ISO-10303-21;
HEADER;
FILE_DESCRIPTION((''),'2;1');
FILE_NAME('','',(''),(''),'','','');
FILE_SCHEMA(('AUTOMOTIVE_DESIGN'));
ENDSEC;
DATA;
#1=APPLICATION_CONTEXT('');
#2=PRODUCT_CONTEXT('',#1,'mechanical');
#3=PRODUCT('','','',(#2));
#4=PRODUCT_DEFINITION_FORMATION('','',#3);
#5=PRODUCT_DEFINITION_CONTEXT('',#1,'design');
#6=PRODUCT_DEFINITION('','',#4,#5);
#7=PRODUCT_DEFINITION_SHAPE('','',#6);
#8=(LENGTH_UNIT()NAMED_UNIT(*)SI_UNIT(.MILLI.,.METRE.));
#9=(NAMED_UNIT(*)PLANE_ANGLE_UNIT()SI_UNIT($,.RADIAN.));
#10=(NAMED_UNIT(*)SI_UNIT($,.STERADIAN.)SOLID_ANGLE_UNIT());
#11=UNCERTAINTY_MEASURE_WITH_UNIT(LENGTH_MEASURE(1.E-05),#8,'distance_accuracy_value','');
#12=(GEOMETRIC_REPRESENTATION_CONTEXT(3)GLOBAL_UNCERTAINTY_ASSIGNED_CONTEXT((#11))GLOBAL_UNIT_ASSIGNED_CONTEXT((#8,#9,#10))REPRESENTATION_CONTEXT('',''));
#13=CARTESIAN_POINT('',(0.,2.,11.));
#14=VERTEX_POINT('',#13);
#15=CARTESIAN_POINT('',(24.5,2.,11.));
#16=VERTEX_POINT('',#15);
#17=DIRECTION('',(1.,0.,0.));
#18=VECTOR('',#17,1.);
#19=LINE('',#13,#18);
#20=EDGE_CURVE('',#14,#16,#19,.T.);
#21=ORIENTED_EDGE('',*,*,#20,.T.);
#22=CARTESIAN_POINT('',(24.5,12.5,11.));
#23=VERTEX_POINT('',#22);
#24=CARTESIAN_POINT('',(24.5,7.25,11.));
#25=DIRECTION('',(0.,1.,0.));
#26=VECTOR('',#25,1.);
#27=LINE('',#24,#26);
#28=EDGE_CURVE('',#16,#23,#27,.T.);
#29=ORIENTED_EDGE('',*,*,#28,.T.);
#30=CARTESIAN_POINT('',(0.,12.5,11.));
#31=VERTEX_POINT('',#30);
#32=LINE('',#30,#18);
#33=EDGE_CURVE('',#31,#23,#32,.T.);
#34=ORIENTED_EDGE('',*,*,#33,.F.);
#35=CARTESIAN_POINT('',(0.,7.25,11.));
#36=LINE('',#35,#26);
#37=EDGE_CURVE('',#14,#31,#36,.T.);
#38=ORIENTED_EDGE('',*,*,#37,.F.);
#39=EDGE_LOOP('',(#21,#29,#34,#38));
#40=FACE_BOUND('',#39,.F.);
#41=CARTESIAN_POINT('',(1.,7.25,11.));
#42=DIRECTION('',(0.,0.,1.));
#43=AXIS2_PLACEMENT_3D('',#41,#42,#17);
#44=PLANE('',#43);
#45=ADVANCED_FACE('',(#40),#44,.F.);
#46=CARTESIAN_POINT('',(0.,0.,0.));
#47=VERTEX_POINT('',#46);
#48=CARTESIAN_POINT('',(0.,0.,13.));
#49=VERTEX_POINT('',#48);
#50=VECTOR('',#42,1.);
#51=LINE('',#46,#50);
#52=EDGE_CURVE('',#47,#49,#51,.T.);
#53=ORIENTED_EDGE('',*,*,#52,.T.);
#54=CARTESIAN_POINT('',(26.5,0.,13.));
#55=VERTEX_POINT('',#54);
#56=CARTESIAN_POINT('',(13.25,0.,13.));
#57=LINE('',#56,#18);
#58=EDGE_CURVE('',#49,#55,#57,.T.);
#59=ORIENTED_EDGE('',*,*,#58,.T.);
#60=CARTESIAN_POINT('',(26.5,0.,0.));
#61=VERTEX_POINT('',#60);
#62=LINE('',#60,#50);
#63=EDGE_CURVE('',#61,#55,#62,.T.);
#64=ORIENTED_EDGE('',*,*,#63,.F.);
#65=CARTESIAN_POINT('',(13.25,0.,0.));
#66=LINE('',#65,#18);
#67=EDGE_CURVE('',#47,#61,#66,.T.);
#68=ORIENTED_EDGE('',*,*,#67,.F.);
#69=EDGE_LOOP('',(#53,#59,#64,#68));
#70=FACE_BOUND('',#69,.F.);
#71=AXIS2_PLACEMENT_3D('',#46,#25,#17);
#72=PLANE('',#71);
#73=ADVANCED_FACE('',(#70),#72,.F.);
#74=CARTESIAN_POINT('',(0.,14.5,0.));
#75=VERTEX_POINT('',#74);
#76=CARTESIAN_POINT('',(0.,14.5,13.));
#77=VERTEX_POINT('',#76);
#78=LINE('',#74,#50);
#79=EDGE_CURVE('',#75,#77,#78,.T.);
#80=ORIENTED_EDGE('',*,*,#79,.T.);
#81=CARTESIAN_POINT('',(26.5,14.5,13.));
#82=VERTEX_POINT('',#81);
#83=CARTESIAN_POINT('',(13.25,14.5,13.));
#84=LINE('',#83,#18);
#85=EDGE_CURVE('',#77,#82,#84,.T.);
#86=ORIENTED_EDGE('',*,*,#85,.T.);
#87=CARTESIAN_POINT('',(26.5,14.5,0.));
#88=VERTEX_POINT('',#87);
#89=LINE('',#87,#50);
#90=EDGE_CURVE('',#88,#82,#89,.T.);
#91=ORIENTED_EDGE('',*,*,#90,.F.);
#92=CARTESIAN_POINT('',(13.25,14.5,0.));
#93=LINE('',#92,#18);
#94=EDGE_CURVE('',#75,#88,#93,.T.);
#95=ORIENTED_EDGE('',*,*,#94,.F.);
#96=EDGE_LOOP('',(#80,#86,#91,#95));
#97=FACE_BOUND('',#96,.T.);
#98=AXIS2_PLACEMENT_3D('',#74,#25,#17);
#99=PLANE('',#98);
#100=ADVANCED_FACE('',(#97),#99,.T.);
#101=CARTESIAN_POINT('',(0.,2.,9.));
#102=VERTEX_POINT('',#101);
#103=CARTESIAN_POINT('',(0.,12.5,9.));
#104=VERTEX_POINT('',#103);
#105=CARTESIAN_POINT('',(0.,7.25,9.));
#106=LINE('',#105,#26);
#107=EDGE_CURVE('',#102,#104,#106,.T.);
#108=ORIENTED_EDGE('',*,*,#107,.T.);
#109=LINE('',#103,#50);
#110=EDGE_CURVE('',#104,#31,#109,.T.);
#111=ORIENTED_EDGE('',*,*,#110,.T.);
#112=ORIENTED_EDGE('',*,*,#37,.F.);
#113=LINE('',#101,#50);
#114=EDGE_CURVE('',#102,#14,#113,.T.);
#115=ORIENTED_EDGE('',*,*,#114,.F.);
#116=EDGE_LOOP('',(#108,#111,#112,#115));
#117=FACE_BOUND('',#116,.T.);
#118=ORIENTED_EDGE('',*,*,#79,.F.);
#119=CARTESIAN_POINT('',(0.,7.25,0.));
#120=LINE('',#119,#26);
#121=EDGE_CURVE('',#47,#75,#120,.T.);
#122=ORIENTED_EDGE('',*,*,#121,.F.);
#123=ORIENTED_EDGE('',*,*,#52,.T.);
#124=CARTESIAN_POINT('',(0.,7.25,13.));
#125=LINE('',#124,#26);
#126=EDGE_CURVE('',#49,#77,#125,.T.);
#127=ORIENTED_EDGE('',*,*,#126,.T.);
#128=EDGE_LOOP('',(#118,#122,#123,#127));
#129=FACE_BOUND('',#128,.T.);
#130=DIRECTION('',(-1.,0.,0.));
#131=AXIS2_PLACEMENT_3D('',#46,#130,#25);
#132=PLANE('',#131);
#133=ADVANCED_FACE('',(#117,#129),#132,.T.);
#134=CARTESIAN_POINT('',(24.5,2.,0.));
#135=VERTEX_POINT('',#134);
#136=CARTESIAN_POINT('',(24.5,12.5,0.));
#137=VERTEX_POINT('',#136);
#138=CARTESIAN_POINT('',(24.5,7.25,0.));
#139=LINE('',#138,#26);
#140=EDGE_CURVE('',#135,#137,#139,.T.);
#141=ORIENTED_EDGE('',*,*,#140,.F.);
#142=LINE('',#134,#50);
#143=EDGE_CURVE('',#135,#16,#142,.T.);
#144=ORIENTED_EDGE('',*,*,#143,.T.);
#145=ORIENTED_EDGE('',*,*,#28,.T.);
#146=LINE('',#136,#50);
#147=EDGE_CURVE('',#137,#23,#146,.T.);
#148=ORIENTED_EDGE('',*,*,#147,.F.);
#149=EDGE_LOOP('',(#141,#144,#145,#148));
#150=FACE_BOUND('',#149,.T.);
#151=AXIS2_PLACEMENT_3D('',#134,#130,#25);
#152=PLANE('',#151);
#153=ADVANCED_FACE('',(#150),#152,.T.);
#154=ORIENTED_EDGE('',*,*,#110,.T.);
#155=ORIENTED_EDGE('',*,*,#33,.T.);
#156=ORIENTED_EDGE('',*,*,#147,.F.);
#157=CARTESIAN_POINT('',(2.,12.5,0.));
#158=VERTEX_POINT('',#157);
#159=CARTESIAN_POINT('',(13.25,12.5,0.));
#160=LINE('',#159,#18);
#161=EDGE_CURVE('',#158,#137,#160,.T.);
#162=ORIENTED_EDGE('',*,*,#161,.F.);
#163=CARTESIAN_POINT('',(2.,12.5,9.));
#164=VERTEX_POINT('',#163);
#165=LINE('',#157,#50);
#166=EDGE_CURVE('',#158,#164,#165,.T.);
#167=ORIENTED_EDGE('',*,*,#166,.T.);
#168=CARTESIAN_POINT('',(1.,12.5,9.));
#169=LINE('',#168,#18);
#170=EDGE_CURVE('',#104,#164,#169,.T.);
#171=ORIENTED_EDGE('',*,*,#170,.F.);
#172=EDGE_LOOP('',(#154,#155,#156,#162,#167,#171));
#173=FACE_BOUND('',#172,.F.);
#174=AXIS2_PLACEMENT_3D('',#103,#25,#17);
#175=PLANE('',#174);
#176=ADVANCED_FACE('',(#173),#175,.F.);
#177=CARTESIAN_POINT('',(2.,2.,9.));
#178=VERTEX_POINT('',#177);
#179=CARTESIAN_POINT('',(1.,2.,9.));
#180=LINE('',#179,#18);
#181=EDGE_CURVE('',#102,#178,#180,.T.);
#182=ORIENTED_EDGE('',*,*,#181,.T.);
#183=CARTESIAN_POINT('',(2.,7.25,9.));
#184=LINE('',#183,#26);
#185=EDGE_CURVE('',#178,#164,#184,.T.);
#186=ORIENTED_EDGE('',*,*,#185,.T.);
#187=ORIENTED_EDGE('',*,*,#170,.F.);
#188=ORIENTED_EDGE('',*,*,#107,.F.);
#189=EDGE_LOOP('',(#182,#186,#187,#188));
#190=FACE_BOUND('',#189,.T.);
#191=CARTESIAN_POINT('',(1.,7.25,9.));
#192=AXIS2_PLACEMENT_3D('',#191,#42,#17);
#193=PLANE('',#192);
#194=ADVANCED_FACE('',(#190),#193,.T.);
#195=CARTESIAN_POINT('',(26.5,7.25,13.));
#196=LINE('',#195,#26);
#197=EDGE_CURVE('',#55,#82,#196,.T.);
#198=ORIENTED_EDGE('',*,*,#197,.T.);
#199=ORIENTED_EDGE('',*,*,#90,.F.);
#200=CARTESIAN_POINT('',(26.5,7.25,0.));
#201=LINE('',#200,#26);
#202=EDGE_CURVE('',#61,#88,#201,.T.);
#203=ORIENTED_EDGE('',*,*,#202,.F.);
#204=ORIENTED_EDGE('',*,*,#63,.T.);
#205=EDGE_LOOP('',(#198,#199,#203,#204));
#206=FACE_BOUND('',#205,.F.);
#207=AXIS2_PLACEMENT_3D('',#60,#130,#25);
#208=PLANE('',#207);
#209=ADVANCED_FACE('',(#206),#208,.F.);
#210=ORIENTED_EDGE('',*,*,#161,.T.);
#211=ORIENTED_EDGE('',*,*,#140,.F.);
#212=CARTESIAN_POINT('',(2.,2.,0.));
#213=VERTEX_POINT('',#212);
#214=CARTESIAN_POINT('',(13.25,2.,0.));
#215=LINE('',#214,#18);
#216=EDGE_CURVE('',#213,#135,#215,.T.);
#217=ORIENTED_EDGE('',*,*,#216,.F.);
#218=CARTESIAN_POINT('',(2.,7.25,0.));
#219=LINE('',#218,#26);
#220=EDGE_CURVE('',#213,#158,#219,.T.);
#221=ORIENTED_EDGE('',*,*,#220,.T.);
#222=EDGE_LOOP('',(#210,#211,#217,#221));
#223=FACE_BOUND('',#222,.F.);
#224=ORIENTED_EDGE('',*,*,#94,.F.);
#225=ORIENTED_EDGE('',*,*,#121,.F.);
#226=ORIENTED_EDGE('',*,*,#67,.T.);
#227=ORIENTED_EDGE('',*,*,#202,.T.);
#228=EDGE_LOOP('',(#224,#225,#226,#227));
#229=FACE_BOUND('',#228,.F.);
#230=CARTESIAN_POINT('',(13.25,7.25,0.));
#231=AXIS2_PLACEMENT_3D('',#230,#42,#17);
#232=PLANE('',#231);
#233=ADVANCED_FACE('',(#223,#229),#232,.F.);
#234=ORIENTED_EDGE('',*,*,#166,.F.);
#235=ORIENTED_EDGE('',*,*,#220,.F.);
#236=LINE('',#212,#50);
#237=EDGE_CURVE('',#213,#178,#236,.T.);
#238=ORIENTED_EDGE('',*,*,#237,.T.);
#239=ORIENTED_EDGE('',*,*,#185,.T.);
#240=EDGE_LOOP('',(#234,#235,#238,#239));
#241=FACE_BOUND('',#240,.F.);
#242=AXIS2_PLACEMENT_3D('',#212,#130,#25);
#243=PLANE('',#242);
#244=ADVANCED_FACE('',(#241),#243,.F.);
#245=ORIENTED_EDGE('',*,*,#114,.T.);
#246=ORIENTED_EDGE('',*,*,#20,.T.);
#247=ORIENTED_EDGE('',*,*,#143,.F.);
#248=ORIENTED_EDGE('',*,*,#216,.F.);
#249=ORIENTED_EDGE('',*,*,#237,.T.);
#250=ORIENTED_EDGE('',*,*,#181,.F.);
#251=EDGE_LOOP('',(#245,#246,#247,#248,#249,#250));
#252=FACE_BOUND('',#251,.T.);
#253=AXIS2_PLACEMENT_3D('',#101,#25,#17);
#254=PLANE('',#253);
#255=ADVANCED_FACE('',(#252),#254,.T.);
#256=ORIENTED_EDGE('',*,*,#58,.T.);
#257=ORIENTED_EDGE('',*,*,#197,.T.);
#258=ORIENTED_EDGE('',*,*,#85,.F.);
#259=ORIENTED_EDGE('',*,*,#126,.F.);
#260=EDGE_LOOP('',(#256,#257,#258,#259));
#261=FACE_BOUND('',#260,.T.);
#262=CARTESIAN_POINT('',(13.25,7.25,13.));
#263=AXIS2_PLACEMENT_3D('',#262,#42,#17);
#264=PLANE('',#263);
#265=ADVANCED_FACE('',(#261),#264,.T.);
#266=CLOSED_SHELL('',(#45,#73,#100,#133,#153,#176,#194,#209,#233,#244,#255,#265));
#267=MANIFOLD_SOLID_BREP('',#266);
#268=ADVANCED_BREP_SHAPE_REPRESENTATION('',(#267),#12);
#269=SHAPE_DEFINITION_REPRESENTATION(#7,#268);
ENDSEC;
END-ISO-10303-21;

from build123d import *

# Parameters (mm, degrees)
BOX002_W     = 2
BOX002_H     = 10.5
BOX002_DEPTH = 2
BOX001_W     = 22.5
BOX001_H     = 10.5
BOX001_DEPTH = 11
BOX_W        = 26.5
BOX_H        = 14.5
BOX_DEPTH    = 13


with BuildPart() as cube002:
    # Box002 → Box002 (new body)
    with BuildSketch(Plane(origin=(0, 2, 9), x_dir=(1, 0, 0), z_dir=(0, 0, 1))):
        with Locations((1, 5.25)):
            Rectangle(BOX002_W, BOX002_H)
    extrude(amount=BOX002_DEPTH)


with BuildPart() as cube001:
    # Box001 → Box001 (new body)
    with BuildSketch(Plane(origin=(2, 2, 0), x_dir=(1, 0, 0), z_dir=(0, 0, 1))):
        with Locations((11.25, 5.25)):
            Rectangle(BOX001_W, BOX001_H)
    extrude(amount=BOX001_DEPTH)


with BuildPart() as cut001:
    # Box → Box (new body)
    with BuildSketch(Plane.XY):
        with Locations((13.25, 7.25)):
            Rectangle(BOX_W, BOX_H)
    extrude(amount=BOX_DEPTH)

    # Cut: cut Cube001
    add(cube001.part, mode=Mode.SUBTRACT)

    # Cut001: cut Cube002
    add(cube002.part, mode=Mode.SUBTRACT)


solid = cut001.part
